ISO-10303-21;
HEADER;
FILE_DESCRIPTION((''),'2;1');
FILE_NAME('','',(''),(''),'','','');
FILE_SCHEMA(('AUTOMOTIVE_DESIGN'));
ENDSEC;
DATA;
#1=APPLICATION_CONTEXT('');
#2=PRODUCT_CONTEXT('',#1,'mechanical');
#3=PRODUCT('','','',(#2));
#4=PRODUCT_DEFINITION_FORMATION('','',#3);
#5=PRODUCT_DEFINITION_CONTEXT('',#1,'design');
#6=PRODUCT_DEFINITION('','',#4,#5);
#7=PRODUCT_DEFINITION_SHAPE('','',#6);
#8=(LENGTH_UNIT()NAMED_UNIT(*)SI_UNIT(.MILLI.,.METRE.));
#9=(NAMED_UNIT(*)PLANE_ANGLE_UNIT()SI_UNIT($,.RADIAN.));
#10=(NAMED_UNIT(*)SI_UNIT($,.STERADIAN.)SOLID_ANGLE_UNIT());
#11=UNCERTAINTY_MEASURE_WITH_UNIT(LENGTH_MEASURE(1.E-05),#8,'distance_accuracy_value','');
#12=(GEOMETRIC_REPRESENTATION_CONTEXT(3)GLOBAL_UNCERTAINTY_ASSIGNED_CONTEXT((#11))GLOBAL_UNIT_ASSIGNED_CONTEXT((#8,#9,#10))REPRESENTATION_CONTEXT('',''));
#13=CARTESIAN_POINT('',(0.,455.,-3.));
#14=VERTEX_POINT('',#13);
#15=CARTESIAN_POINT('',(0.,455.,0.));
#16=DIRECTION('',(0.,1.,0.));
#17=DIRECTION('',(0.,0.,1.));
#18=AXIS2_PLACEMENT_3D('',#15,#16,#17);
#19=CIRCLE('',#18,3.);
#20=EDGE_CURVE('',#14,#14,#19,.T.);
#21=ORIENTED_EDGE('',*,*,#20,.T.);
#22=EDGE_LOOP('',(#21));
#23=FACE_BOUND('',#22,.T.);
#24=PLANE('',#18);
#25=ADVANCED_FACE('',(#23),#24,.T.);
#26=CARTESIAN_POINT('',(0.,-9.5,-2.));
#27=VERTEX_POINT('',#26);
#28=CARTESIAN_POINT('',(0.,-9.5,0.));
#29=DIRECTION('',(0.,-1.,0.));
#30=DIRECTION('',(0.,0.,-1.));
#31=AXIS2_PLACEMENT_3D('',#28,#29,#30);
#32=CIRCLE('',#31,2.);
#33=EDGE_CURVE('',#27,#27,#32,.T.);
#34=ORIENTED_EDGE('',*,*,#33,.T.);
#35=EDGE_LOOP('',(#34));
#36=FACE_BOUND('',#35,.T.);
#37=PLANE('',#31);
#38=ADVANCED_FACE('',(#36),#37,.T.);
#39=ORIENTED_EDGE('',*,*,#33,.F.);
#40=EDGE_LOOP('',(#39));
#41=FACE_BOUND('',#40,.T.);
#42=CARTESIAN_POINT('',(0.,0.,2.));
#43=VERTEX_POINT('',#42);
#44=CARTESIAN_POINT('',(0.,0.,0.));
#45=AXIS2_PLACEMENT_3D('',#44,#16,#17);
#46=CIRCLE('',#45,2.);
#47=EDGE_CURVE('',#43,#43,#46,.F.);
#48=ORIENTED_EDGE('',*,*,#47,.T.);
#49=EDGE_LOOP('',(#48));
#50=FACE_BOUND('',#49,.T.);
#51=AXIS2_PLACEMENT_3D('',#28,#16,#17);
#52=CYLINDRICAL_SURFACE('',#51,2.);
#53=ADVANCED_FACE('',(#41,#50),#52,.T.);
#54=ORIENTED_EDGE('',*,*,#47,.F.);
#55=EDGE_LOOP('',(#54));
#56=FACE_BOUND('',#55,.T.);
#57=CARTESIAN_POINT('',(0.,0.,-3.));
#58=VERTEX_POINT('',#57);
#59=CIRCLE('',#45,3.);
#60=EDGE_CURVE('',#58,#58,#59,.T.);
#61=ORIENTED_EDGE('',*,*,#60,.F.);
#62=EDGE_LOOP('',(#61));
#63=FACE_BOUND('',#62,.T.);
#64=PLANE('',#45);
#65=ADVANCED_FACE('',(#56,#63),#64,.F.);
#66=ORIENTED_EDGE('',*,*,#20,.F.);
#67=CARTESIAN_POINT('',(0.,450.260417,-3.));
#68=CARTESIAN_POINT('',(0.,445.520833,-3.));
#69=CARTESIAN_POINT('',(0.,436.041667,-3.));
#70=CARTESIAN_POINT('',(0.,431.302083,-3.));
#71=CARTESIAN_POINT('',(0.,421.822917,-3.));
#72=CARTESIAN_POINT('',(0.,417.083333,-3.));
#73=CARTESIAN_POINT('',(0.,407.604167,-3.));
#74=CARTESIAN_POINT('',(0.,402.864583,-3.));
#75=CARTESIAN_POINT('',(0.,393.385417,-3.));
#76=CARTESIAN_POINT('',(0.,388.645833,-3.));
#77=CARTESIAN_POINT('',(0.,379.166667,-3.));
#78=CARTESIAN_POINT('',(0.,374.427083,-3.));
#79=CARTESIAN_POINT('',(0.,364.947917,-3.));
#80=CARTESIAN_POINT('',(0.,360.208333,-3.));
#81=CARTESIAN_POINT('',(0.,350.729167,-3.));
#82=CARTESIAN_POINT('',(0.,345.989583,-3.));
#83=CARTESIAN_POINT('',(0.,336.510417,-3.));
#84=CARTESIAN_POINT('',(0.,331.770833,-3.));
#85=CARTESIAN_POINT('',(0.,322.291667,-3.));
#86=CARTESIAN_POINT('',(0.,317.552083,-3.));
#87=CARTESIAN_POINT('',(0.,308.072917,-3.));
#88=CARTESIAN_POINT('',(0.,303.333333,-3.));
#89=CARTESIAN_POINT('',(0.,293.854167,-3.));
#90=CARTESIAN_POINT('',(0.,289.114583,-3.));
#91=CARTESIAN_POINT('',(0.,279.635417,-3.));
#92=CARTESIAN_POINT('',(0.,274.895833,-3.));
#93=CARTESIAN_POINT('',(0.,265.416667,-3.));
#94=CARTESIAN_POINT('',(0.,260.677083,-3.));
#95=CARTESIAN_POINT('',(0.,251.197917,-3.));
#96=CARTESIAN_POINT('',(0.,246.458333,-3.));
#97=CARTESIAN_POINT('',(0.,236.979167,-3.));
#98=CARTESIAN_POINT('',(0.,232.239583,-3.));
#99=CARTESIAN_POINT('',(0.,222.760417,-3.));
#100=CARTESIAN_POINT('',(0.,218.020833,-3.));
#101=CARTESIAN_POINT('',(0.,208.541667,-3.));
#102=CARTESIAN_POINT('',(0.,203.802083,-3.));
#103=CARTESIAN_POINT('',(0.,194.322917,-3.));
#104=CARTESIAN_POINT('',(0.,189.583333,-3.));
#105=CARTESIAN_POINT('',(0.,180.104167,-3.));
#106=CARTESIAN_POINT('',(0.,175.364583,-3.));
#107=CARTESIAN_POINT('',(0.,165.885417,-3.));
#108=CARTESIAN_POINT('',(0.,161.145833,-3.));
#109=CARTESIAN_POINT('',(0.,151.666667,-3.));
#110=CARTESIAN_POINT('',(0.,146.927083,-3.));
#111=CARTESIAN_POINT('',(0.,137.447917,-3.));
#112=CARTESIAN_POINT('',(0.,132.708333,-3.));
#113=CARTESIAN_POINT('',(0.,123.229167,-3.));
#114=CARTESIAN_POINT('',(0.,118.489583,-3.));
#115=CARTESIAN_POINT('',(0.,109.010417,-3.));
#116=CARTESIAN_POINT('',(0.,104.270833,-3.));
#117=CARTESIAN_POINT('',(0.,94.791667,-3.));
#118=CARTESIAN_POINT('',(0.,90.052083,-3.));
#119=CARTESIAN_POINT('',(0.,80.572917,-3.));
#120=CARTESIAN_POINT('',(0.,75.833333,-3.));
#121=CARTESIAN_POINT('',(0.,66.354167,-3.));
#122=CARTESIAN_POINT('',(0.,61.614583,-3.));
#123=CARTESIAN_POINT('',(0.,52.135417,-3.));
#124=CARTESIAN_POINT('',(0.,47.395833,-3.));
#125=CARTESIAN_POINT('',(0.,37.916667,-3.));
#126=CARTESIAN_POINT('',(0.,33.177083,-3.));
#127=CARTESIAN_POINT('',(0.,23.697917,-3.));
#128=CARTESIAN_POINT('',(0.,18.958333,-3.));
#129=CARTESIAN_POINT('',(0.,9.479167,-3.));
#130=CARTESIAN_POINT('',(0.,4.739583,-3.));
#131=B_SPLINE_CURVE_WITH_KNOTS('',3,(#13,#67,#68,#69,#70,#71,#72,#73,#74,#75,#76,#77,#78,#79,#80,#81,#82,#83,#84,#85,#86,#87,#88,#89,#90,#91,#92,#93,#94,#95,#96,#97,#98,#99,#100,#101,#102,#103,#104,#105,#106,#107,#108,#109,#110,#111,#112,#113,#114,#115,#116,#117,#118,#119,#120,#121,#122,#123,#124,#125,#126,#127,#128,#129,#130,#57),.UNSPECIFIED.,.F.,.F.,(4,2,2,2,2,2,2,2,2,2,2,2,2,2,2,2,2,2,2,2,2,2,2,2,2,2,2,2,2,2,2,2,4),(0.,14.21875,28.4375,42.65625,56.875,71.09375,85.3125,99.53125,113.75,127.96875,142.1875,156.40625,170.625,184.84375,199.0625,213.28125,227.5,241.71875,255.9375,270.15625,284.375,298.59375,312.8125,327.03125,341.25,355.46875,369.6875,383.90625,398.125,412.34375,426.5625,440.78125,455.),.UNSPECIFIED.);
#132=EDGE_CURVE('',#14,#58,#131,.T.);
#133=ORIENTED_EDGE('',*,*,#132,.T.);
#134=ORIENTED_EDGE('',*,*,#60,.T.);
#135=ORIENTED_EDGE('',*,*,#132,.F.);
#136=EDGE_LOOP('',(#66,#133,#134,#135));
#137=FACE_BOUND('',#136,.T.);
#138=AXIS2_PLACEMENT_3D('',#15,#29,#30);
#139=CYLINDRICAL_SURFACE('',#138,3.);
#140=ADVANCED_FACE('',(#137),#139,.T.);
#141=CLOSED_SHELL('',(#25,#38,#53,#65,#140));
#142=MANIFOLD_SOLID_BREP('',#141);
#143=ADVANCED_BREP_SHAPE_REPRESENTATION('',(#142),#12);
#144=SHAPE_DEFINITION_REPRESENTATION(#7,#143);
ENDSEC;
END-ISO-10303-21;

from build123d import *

# Parameters (mm, degrees)
SKETCH_1_R      = 3
EXTRUDE_1_DEPTH = 455
SKETCH_2_R      = 2
EXTRUDE_2_DEPTH = 9.5


with BuildPart() as part:
    # 草图1 → 凸台-拉伸1 (new body)
    with BuildSketch(Plane(origin=(0, 0, 0), x_dir=(1, 0, 0), z_dir=(0, 1, 0))):
        with Locations(Location((0, 0, 0), (0, 0, 90))):
            Circle(SKETCH_1_R)
    extrude(amount=EXTRUDE_1_DEPTH)

    # 草图2 → 凸台-拉伸2 (add)
    with BuildSketch(Plane.XZ):
        with Locations(Location((0, 0, 0), (0, 0, 90))):
            Circle(SKETCH_2_R)
    extrude(amount=EXTRUDE_2_DEPTH)


solid = part.part
